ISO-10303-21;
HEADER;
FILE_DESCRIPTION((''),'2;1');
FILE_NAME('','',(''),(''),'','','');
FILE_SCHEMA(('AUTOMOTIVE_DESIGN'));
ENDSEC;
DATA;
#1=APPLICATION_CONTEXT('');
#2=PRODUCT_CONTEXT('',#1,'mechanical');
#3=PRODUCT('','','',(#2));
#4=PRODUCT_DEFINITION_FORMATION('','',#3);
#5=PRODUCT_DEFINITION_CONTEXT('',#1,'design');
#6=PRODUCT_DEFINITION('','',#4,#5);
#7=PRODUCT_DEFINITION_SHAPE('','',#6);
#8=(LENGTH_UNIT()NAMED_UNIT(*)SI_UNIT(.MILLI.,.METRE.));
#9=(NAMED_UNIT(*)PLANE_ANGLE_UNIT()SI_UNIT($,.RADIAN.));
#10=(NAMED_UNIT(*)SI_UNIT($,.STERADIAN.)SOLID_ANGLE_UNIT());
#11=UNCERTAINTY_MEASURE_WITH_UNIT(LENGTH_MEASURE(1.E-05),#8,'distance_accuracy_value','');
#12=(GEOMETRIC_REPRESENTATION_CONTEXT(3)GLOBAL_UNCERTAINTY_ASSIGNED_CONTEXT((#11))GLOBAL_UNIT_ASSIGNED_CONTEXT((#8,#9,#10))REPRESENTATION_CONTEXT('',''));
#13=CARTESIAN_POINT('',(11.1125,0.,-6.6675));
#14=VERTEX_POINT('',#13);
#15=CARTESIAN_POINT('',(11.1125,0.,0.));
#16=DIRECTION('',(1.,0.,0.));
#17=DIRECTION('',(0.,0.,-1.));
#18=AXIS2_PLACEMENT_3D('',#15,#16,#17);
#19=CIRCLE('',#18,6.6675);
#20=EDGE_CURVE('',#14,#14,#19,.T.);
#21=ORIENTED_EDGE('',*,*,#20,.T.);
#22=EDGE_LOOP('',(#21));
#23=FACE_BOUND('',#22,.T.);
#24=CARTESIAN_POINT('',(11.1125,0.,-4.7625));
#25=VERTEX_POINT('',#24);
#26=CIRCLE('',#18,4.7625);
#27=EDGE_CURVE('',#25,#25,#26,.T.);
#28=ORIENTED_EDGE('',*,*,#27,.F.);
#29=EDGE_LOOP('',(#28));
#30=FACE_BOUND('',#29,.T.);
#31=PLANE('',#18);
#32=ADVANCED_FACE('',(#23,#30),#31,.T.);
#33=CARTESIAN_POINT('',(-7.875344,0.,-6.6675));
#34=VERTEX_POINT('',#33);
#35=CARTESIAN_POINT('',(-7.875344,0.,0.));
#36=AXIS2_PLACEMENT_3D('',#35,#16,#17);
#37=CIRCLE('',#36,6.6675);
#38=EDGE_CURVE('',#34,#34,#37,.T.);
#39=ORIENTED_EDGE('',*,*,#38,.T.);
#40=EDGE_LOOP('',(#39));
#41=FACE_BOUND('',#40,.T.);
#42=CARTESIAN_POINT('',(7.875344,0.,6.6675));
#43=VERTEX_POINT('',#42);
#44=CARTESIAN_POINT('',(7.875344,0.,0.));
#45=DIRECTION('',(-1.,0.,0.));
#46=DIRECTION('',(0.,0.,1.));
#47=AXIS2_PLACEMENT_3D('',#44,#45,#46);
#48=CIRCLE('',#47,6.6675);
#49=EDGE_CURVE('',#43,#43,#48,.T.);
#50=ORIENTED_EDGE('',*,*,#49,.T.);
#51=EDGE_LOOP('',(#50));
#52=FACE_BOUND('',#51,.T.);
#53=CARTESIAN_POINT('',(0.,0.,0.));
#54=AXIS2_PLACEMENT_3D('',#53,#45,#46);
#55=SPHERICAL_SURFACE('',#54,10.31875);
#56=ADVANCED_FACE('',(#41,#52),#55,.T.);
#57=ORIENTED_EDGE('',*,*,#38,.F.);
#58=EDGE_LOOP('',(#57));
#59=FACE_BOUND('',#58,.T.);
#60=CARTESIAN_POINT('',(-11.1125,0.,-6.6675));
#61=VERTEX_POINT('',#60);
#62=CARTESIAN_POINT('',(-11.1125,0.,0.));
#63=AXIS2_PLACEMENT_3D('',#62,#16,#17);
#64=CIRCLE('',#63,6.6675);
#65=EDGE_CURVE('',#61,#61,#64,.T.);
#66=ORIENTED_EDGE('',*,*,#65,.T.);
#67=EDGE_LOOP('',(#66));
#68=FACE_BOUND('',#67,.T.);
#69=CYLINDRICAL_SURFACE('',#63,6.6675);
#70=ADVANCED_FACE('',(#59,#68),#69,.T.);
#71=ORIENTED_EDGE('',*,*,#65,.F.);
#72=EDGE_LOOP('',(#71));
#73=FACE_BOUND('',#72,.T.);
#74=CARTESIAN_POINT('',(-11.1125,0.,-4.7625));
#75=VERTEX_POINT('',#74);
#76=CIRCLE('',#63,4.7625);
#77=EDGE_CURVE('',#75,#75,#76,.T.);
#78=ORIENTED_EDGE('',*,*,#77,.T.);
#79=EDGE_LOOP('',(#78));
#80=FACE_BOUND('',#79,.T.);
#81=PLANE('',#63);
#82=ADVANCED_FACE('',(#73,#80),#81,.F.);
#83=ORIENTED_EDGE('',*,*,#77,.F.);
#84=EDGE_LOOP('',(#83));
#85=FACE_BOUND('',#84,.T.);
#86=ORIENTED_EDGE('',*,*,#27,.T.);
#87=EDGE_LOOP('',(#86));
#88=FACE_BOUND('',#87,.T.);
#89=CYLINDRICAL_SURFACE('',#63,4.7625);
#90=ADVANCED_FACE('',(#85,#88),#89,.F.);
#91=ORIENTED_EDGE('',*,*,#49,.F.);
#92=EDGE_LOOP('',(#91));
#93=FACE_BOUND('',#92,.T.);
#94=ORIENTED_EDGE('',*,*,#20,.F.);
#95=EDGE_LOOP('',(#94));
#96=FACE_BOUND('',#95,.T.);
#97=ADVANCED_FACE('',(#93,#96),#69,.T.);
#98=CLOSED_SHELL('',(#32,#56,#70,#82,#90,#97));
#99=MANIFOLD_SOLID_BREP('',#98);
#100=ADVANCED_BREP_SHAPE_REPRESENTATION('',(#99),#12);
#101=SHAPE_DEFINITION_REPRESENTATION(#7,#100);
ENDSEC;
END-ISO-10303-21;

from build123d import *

# Parameters (mm, degrees)
BOSS_EXTRUDE1_DEPTH      = 11.1125
BOSS_EXTRUDE1_DEPTH_BACK = 11.1125
SKETCH3_R                = 6.6675
SKETCH3_R_2              = 4.7625
SKETCH4_R                = 4.7625
CUT_EXTRUDE1_DEPTH       = 27.587663165


with BuildPart() as part:
    # Sketch2 → Revolve1 (revolve)
    with BuildSketch(Plane(origin=(0, 0, 0), x_dir=(1, 0, 0), z_dir=(0, 1, 0))):
        with BuildLine():
            Line((0, 10.31875), (0, -10.31875))
            ThreePointArc((0, -10.31875), (10.31875, 0), (0, 10.31875))
        make_face()
    revolve(axis=Axis((0, 0, -10.31875), (0, 0, 1)))

    # Sketch3 → Boss-Extrude1 (add, two sides: drawn at the far end of the back side and taken through both)
    with BuildSketch(Plane(origin=(0, 0, 0), x_dir=(0, 0, -1), z_dir=(1, 0, 0)).offset(-BOSS_EXTRUDE1_DEPTH_BACK)):
        Circle(SKETCH3_R)
        Circle(SKETCH3_R_2, mode=Mode.SUBTRACT)
    extrude(amount=BOSS_EXTRUDE1_DEPTH + BOSS_EXTRUDE1_DEPTH_BACK)

    # Sketch4 → Cut-Extrude1 (cut, through all)
    with BuildSketch(Plane(origin=(11.1125, 0, 0), x_dir=(0, 0, -1), z_dir=(1, 0, 0))):
        Circle(SKETCH4_R)
    extrude(amount=-CUT_EXTRUDE1_DEPTH, mode=Mode.SUBTRACT)


solid = part.part
